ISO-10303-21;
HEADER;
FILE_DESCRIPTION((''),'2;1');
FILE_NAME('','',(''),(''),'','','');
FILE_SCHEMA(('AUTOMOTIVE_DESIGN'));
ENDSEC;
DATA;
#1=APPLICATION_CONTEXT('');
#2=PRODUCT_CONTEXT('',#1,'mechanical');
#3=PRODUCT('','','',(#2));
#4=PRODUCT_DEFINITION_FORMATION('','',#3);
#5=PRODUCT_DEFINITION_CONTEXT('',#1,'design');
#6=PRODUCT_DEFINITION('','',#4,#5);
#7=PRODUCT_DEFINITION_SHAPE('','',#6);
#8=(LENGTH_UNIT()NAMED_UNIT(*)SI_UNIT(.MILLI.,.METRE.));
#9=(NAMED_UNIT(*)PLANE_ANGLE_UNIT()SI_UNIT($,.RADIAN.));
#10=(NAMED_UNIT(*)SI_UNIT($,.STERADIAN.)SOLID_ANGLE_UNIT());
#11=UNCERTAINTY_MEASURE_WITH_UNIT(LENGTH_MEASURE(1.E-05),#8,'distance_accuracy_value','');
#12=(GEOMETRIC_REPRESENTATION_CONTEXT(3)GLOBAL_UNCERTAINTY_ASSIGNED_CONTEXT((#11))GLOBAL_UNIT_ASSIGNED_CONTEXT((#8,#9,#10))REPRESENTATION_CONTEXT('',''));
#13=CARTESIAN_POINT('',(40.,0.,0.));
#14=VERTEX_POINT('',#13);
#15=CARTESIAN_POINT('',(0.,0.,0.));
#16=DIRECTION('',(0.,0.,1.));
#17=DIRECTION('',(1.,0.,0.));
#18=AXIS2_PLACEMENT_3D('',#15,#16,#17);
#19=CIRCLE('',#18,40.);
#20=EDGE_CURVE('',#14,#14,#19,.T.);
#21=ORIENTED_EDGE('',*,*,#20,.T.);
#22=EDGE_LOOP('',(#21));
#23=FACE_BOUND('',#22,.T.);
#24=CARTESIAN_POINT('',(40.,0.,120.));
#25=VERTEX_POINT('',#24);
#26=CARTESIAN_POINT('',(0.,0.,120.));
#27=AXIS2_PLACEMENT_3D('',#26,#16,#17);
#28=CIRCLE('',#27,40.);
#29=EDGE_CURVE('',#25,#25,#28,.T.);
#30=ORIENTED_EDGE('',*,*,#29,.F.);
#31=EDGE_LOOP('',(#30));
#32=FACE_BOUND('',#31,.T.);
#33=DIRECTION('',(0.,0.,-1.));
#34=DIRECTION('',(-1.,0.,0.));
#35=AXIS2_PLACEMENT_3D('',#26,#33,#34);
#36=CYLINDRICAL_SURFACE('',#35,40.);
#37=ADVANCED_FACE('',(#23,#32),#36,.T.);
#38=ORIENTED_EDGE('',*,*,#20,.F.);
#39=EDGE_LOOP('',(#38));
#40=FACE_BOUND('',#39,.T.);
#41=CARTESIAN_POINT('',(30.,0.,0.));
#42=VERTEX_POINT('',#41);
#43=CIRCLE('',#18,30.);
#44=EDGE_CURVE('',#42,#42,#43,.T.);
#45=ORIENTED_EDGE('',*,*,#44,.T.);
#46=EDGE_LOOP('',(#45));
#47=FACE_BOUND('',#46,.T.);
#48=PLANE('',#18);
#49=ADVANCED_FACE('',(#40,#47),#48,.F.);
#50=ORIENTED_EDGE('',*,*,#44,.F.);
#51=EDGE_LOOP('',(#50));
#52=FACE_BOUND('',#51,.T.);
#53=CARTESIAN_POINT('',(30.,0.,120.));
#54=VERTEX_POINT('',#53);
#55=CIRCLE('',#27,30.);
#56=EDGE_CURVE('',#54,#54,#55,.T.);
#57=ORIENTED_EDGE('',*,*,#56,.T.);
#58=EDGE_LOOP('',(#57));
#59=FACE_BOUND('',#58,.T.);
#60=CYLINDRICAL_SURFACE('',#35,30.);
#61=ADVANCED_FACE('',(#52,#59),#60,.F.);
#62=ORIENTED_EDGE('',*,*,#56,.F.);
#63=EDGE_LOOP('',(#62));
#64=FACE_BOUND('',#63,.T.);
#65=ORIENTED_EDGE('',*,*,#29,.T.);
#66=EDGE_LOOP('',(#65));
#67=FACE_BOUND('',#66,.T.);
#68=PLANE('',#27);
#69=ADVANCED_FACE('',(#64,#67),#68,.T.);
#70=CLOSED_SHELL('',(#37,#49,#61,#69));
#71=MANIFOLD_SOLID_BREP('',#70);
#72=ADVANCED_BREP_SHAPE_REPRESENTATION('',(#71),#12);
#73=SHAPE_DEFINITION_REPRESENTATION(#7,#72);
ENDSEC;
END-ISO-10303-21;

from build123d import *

# Parameters (mm, degrees)
IZIM1_R                     = 40
IZIM1_R_2                   = 30
Y_KSEKLIK_EKSTR_ZYON1_DEPTH = 120


with BuildPart() as part:
    # Çizim1 → Yükseklik-Ekstrüzyon1 (new body)
    with BuildSketch(Plane.XY):
        Circle(IZIM1_R)
        Circle(IZIM1_R_2, mode=Mode.SUBTRACT)
    extrude(amount=Y_KSEKLIK_EKSTR_ZYON1_DEPTH)


solid = part.part
